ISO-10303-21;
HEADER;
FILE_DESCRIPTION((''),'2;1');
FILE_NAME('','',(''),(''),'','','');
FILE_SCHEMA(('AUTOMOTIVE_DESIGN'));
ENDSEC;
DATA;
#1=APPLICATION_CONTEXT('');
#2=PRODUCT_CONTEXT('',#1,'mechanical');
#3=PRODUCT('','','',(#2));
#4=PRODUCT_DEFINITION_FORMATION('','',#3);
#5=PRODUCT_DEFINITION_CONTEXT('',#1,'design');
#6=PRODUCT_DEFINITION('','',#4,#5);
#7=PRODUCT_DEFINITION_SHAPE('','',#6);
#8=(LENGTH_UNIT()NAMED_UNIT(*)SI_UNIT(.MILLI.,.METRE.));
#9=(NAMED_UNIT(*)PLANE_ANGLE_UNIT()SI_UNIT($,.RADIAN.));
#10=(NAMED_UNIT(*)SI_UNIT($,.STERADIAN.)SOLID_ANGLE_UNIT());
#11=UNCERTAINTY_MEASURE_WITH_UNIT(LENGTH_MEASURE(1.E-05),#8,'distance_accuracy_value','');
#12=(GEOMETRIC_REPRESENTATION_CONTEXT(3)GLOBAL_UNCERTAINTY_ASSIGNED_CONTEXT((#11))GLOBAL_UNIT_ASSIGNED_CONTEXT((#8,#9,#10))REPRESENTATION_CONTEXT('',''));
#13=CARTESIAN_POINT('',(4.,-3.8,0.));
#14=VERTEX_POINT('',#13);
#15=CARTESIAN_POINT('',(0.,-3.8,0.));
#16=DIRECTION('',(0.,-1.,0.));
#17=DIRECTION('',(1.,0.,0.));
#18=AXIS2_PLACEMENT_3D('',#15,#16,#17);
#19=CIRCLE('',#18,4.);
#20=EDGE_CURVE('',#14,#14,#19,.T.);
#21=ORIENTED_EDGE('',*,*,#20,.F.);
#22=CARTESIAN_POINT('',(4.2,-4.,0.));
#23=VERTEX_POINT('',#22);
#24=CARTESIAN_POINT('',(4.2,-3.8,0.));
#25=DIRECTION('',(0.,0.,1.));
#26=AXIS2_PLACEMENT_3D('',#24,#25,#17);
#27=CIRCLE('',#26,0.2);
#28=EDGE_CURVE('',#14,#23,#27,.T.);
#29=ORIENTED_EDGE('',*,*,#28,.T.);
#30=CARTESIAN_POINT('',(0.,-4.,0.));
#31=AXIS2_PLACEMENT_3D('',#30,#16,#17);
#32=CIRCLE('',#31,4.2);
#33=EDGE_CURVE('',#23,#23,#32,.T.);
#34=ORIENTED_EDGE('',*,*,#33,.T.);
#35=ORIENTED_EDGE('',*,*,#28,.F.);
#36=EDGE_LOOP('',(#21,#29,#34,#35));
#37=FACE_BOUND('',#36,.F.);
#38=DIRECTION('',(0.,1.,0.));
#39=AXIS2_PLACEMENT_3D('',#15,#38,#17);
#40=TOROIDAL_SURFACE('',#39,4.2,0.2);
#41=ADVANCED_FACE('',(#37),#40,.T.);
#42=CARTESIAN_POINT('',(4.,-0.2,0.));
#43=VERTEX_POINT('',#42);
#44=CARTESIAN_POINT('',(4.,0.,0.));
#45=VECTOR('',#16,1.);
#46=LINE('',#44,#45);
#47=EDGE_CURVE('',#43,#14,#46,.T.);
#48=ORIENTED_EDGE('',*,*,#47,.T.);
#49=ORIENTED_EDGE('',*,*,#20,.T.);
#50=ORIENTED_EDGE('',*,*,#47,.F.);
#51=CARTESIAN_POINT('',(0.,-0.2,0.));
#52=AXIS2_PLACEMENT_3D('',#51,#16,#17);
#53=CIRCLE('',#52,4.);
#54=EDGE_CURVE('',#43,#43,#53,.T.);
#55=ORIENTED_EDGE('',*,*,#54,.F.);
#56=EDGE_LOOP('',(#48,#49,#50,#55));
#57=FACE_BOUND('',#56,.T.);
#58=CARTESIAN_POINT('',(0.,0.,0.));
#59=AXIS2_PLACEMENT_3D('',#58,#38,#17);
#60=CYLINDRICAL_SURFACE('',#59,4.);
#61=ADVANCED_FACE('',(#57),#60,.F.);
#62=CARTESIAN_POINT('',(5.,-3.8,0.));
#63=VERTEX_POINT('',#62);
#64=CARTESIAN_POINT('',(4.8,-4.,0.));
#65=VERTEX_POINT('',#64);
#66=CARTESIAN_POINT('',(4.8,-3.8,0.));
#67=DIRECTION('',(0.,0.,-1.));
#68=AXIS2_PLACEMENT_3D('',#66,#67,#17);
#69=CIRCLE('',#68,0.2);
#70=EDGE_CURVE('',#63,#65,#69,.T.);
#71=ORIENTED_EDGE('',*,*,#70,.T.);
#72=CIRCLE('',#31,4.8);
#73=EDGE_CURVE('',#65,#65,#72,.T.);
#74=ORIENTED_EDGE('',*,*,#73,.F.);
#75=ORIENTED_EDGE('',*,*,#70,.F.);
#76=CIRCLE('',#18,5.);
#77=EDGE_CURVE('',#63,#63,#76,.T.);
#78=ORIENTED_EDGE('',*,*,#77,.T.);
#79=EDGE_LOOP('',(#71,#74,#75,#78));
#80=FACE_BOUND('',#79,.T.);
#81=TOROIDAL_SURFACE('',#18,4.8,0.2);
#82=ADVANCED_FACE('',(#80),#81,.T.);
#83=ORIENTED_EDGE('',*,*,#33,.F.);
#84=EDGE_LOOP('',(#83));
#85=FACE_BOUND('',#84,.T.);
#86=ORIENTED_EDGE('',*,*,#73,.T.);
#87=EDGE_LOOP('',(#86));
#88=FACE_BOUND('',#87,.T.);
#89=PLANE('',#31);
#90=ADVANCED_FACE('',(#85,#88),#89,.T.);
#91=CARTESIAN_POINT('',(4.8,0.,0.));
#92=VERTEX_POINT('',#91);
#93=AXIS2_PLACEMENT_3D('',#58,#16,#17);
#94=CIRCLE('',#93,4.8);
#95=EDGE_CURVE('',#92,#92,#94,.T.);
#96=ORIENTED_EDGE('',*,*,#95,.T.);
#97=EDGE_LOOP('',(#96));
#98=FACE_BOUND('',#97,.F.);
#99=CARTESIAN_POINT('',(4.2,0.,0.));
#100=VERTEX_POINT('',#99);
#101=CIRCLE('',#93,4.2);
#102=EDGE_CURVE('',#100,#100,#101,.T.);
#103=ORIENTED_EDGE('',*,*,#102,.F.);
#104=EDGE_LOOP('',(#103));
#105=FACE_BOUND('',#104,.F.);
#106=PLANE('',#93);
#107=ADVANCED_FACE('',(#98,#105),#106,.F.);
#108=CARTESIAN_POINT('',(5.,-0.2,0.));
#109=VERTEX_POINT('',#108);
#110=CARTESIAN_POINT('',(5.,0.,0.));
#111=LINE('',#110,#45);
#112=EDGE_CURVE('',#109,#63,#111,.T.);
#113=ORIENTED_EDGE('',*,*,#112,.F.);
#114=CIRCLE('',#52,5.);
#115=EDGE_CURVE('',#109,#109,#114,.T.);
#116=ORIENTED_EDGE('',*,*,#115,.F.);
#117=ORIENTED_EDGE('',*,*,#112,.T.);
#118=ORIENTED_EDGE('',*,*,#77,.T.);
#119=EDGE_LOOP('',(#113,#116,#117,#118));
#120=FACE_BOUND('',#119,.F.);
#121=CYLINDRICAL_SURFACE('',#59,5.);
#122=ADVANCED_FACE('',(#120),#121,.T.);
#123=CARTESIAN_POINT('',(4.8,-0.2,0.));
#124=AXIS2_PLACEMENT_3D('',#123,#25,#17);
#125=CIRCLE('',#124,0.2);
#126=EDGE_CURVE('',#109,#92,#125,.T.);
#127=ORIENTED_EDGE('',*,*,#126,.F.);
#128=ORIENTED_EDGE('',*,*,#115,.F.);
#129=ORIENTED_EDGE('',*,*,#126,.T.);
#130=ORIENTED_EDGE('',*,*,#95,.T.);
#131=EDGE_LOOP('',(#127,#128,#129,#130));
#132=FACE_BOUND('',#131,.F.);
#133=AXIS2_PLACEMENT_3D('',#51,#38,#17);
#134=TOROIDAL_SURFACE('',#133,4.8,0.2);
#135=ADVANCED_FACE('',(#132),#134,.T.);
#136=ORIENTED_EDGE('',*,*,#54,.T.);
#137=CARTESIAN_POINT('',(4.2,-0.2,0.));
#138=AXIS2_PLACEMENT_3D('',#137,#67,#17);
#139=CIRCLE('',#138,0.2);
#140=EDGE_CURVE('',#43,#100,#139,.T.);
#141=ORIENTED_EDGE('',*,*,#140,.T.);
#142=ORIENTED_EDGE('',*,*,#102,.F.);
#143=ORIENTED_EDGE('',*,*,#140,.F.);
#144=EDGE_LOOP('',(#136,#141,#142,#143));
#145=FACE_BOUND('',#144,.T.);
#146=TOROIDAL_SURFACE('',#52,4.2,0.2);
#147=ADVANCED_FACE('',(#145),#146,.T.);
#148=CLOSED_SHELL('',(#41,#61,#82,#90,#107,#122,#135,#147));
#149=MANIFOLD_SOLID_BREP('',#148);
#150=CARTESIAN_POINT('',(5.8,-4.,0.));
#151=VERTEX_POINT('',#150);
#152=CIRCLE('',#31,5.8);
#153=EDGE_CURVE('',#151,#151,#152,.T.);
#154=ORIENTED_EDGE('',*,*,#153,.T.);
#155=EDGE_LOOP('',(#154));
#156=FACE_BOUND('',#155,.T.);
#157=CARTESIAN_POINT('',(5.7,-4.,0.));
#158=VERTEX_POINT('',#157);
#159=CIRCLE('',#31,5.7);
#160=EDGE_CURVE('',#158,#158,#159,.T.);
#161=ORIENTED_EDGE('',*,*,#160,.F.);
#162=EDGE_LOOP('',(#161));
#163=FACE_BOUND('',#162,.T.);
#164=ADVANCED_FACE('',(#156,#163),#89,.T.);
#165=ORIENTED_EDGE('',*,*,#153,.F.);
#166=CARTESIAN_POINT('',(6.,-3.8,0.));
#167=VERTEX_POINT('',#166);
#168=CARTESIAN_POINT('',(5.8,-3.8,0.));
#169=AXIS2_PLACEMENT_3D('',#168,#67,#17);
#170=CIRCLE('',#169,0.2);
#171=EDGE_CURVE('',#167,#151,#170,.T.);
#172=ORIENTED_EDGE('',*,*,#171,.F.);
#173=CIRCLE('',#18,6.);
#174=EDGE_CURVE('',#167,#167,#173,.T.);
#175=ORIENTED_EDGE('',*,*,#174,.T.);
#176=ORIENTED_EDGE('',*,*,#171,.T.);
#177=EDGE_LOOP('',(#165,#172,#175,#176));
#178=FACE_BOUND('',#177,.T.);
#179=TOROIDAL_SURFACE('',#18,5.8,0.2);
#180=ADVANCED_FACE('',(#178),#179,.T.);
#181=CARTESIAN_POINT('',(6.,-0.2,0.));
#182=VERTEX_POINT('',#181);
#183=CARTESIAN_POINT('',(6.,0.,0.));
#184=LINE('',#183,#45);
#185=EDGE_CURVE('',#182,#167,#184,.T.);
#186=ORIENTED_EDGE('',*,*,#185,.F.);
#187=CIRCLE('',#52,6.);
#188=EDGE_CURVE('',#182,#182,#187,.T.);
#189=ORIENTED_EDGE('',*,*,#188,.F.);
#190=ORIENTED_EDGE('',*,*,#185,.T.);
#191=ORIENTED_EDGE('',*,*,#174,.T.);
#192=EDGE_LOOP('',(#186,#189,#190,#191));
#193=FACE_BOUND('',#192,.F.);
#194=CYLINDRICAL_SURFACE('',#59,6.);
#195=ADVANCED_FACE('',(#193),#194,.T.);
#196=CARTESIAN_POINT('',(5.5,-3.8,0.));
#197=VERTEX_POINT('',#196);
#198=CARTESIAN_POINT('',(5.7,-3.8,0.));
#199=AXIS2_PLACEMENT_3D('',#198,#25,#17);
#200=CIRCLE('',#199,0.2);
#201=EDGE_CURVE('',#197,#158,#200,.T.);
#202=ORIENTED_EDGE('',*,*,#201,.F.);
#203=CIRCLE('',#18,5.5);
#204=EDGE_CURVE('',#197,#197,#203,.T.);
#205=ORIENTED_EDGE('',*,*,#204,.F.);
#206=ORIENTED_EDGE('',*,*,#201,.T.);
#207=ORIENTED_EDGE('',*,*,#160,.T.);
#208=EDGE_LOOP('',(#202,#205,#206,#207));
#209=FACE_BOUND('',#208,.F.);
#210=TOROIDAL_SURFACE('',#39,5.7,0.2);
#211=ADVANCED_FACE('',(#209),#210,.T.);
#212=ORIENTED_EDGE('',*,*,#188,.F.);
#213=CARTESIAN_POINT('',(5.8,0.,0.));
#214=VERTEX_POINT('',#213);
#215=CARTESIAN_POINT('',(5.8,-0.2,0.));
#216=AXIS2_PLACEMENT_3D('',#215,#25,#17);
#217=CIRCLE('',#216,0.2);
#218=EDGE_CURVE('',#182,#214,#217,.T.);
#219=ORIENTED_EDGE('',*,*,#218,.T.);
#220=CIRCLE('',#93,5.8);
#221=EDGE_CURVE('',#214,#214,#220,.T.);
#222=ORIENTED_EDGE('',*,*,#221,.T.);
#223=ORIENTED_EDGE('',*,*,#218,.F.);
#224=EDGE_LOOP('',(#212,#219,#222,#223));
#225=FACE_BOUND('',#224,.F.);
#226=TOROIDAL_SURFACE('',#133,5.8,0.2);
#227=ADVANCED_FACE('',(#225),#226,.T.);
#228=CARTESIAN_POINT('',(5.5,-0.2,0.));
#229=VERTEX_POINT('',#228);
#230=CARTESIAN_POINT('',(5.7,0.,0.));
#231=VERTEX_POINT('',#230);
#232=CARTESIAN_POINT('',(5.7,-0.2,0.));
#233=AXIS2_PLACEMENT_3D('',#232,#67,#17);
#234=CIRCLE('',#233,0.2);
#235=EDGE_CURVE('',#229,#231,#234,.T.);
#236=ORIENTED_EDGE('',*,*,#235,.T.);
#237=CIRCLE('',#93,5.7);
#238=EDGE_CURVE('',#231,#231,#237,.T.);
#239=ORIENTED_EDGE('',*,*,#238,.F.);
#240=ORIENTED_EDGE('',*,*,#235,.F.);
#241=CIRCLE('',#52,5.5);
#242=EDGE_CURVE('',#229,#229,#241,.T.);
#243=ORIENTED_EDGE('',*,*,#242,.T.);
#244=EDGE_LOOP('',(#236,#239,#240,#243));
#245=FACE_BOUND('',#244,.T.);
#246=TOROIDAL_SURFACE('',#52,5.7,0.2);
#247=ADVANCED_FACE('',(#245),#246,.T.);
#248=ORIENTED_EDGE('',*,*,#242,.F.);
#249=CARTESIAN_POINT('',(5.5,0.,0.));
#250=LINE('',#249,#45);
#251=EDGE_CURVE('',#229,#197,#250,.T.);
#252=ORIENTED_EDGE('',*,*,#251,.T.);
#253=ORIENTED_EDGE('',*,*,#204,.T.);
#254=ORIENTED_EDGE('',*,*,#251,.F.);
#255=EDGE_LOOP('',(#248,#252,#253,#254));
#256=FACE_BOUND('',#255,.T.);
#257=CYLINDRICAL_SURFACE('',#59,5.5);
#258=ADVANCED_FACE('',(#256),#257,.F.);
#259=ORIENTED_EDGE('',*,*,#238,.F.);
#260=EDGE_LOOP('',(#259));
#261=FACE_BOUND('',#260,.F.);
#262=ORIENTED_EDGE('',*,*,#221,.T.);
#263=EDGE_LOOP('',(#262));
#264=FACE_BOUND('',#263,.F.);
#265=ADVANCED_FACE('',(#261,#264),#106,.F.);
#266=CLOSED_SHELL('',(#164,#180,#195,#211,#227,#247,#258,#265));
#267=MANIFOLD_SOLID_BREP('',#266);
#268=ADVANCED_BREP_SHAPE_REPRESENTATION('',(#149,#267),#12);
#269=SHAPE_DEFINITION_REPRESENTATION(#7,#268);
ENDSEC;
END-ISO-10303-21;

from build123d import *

# Parameters (mm, degrees)
F0_R     = 6
F0_R_2   = 5.5
F0_R_3   = 5
F0_R_4   = 4
F1_DEPTH = 4
F2_R     = 0.2


with BuildPart() as f1:
    # F0 (on Front) → F1 (new body)
    with BuildSketch(Plane.XZ):
        Circle(F0_R)
        Circle(F0_R_2, mode=Mode.SUBTRACT)
        Circle(F0_R_3)
        Circle(F0_R_4, mode=Mode.SUBTRACT)
    extrude(amount=F1_DEPTH)

    # F2
    f2_edges = [f1.edges().sort_by_distance(p)[0] for p in [
        (-5, -4, 0),
        (-4, -4, 0),
        (-5.5, -4, 0),
        (6, -2, 0),
        (-6, 0, 0),
        (-6, -4, 0),
        (-5, 0, 0),
        (-4, 0, 0),
        (-5.5, 0, 0),
    ]]
    fillet(f2_edges, radius=F2_R)


solid = f1.part
